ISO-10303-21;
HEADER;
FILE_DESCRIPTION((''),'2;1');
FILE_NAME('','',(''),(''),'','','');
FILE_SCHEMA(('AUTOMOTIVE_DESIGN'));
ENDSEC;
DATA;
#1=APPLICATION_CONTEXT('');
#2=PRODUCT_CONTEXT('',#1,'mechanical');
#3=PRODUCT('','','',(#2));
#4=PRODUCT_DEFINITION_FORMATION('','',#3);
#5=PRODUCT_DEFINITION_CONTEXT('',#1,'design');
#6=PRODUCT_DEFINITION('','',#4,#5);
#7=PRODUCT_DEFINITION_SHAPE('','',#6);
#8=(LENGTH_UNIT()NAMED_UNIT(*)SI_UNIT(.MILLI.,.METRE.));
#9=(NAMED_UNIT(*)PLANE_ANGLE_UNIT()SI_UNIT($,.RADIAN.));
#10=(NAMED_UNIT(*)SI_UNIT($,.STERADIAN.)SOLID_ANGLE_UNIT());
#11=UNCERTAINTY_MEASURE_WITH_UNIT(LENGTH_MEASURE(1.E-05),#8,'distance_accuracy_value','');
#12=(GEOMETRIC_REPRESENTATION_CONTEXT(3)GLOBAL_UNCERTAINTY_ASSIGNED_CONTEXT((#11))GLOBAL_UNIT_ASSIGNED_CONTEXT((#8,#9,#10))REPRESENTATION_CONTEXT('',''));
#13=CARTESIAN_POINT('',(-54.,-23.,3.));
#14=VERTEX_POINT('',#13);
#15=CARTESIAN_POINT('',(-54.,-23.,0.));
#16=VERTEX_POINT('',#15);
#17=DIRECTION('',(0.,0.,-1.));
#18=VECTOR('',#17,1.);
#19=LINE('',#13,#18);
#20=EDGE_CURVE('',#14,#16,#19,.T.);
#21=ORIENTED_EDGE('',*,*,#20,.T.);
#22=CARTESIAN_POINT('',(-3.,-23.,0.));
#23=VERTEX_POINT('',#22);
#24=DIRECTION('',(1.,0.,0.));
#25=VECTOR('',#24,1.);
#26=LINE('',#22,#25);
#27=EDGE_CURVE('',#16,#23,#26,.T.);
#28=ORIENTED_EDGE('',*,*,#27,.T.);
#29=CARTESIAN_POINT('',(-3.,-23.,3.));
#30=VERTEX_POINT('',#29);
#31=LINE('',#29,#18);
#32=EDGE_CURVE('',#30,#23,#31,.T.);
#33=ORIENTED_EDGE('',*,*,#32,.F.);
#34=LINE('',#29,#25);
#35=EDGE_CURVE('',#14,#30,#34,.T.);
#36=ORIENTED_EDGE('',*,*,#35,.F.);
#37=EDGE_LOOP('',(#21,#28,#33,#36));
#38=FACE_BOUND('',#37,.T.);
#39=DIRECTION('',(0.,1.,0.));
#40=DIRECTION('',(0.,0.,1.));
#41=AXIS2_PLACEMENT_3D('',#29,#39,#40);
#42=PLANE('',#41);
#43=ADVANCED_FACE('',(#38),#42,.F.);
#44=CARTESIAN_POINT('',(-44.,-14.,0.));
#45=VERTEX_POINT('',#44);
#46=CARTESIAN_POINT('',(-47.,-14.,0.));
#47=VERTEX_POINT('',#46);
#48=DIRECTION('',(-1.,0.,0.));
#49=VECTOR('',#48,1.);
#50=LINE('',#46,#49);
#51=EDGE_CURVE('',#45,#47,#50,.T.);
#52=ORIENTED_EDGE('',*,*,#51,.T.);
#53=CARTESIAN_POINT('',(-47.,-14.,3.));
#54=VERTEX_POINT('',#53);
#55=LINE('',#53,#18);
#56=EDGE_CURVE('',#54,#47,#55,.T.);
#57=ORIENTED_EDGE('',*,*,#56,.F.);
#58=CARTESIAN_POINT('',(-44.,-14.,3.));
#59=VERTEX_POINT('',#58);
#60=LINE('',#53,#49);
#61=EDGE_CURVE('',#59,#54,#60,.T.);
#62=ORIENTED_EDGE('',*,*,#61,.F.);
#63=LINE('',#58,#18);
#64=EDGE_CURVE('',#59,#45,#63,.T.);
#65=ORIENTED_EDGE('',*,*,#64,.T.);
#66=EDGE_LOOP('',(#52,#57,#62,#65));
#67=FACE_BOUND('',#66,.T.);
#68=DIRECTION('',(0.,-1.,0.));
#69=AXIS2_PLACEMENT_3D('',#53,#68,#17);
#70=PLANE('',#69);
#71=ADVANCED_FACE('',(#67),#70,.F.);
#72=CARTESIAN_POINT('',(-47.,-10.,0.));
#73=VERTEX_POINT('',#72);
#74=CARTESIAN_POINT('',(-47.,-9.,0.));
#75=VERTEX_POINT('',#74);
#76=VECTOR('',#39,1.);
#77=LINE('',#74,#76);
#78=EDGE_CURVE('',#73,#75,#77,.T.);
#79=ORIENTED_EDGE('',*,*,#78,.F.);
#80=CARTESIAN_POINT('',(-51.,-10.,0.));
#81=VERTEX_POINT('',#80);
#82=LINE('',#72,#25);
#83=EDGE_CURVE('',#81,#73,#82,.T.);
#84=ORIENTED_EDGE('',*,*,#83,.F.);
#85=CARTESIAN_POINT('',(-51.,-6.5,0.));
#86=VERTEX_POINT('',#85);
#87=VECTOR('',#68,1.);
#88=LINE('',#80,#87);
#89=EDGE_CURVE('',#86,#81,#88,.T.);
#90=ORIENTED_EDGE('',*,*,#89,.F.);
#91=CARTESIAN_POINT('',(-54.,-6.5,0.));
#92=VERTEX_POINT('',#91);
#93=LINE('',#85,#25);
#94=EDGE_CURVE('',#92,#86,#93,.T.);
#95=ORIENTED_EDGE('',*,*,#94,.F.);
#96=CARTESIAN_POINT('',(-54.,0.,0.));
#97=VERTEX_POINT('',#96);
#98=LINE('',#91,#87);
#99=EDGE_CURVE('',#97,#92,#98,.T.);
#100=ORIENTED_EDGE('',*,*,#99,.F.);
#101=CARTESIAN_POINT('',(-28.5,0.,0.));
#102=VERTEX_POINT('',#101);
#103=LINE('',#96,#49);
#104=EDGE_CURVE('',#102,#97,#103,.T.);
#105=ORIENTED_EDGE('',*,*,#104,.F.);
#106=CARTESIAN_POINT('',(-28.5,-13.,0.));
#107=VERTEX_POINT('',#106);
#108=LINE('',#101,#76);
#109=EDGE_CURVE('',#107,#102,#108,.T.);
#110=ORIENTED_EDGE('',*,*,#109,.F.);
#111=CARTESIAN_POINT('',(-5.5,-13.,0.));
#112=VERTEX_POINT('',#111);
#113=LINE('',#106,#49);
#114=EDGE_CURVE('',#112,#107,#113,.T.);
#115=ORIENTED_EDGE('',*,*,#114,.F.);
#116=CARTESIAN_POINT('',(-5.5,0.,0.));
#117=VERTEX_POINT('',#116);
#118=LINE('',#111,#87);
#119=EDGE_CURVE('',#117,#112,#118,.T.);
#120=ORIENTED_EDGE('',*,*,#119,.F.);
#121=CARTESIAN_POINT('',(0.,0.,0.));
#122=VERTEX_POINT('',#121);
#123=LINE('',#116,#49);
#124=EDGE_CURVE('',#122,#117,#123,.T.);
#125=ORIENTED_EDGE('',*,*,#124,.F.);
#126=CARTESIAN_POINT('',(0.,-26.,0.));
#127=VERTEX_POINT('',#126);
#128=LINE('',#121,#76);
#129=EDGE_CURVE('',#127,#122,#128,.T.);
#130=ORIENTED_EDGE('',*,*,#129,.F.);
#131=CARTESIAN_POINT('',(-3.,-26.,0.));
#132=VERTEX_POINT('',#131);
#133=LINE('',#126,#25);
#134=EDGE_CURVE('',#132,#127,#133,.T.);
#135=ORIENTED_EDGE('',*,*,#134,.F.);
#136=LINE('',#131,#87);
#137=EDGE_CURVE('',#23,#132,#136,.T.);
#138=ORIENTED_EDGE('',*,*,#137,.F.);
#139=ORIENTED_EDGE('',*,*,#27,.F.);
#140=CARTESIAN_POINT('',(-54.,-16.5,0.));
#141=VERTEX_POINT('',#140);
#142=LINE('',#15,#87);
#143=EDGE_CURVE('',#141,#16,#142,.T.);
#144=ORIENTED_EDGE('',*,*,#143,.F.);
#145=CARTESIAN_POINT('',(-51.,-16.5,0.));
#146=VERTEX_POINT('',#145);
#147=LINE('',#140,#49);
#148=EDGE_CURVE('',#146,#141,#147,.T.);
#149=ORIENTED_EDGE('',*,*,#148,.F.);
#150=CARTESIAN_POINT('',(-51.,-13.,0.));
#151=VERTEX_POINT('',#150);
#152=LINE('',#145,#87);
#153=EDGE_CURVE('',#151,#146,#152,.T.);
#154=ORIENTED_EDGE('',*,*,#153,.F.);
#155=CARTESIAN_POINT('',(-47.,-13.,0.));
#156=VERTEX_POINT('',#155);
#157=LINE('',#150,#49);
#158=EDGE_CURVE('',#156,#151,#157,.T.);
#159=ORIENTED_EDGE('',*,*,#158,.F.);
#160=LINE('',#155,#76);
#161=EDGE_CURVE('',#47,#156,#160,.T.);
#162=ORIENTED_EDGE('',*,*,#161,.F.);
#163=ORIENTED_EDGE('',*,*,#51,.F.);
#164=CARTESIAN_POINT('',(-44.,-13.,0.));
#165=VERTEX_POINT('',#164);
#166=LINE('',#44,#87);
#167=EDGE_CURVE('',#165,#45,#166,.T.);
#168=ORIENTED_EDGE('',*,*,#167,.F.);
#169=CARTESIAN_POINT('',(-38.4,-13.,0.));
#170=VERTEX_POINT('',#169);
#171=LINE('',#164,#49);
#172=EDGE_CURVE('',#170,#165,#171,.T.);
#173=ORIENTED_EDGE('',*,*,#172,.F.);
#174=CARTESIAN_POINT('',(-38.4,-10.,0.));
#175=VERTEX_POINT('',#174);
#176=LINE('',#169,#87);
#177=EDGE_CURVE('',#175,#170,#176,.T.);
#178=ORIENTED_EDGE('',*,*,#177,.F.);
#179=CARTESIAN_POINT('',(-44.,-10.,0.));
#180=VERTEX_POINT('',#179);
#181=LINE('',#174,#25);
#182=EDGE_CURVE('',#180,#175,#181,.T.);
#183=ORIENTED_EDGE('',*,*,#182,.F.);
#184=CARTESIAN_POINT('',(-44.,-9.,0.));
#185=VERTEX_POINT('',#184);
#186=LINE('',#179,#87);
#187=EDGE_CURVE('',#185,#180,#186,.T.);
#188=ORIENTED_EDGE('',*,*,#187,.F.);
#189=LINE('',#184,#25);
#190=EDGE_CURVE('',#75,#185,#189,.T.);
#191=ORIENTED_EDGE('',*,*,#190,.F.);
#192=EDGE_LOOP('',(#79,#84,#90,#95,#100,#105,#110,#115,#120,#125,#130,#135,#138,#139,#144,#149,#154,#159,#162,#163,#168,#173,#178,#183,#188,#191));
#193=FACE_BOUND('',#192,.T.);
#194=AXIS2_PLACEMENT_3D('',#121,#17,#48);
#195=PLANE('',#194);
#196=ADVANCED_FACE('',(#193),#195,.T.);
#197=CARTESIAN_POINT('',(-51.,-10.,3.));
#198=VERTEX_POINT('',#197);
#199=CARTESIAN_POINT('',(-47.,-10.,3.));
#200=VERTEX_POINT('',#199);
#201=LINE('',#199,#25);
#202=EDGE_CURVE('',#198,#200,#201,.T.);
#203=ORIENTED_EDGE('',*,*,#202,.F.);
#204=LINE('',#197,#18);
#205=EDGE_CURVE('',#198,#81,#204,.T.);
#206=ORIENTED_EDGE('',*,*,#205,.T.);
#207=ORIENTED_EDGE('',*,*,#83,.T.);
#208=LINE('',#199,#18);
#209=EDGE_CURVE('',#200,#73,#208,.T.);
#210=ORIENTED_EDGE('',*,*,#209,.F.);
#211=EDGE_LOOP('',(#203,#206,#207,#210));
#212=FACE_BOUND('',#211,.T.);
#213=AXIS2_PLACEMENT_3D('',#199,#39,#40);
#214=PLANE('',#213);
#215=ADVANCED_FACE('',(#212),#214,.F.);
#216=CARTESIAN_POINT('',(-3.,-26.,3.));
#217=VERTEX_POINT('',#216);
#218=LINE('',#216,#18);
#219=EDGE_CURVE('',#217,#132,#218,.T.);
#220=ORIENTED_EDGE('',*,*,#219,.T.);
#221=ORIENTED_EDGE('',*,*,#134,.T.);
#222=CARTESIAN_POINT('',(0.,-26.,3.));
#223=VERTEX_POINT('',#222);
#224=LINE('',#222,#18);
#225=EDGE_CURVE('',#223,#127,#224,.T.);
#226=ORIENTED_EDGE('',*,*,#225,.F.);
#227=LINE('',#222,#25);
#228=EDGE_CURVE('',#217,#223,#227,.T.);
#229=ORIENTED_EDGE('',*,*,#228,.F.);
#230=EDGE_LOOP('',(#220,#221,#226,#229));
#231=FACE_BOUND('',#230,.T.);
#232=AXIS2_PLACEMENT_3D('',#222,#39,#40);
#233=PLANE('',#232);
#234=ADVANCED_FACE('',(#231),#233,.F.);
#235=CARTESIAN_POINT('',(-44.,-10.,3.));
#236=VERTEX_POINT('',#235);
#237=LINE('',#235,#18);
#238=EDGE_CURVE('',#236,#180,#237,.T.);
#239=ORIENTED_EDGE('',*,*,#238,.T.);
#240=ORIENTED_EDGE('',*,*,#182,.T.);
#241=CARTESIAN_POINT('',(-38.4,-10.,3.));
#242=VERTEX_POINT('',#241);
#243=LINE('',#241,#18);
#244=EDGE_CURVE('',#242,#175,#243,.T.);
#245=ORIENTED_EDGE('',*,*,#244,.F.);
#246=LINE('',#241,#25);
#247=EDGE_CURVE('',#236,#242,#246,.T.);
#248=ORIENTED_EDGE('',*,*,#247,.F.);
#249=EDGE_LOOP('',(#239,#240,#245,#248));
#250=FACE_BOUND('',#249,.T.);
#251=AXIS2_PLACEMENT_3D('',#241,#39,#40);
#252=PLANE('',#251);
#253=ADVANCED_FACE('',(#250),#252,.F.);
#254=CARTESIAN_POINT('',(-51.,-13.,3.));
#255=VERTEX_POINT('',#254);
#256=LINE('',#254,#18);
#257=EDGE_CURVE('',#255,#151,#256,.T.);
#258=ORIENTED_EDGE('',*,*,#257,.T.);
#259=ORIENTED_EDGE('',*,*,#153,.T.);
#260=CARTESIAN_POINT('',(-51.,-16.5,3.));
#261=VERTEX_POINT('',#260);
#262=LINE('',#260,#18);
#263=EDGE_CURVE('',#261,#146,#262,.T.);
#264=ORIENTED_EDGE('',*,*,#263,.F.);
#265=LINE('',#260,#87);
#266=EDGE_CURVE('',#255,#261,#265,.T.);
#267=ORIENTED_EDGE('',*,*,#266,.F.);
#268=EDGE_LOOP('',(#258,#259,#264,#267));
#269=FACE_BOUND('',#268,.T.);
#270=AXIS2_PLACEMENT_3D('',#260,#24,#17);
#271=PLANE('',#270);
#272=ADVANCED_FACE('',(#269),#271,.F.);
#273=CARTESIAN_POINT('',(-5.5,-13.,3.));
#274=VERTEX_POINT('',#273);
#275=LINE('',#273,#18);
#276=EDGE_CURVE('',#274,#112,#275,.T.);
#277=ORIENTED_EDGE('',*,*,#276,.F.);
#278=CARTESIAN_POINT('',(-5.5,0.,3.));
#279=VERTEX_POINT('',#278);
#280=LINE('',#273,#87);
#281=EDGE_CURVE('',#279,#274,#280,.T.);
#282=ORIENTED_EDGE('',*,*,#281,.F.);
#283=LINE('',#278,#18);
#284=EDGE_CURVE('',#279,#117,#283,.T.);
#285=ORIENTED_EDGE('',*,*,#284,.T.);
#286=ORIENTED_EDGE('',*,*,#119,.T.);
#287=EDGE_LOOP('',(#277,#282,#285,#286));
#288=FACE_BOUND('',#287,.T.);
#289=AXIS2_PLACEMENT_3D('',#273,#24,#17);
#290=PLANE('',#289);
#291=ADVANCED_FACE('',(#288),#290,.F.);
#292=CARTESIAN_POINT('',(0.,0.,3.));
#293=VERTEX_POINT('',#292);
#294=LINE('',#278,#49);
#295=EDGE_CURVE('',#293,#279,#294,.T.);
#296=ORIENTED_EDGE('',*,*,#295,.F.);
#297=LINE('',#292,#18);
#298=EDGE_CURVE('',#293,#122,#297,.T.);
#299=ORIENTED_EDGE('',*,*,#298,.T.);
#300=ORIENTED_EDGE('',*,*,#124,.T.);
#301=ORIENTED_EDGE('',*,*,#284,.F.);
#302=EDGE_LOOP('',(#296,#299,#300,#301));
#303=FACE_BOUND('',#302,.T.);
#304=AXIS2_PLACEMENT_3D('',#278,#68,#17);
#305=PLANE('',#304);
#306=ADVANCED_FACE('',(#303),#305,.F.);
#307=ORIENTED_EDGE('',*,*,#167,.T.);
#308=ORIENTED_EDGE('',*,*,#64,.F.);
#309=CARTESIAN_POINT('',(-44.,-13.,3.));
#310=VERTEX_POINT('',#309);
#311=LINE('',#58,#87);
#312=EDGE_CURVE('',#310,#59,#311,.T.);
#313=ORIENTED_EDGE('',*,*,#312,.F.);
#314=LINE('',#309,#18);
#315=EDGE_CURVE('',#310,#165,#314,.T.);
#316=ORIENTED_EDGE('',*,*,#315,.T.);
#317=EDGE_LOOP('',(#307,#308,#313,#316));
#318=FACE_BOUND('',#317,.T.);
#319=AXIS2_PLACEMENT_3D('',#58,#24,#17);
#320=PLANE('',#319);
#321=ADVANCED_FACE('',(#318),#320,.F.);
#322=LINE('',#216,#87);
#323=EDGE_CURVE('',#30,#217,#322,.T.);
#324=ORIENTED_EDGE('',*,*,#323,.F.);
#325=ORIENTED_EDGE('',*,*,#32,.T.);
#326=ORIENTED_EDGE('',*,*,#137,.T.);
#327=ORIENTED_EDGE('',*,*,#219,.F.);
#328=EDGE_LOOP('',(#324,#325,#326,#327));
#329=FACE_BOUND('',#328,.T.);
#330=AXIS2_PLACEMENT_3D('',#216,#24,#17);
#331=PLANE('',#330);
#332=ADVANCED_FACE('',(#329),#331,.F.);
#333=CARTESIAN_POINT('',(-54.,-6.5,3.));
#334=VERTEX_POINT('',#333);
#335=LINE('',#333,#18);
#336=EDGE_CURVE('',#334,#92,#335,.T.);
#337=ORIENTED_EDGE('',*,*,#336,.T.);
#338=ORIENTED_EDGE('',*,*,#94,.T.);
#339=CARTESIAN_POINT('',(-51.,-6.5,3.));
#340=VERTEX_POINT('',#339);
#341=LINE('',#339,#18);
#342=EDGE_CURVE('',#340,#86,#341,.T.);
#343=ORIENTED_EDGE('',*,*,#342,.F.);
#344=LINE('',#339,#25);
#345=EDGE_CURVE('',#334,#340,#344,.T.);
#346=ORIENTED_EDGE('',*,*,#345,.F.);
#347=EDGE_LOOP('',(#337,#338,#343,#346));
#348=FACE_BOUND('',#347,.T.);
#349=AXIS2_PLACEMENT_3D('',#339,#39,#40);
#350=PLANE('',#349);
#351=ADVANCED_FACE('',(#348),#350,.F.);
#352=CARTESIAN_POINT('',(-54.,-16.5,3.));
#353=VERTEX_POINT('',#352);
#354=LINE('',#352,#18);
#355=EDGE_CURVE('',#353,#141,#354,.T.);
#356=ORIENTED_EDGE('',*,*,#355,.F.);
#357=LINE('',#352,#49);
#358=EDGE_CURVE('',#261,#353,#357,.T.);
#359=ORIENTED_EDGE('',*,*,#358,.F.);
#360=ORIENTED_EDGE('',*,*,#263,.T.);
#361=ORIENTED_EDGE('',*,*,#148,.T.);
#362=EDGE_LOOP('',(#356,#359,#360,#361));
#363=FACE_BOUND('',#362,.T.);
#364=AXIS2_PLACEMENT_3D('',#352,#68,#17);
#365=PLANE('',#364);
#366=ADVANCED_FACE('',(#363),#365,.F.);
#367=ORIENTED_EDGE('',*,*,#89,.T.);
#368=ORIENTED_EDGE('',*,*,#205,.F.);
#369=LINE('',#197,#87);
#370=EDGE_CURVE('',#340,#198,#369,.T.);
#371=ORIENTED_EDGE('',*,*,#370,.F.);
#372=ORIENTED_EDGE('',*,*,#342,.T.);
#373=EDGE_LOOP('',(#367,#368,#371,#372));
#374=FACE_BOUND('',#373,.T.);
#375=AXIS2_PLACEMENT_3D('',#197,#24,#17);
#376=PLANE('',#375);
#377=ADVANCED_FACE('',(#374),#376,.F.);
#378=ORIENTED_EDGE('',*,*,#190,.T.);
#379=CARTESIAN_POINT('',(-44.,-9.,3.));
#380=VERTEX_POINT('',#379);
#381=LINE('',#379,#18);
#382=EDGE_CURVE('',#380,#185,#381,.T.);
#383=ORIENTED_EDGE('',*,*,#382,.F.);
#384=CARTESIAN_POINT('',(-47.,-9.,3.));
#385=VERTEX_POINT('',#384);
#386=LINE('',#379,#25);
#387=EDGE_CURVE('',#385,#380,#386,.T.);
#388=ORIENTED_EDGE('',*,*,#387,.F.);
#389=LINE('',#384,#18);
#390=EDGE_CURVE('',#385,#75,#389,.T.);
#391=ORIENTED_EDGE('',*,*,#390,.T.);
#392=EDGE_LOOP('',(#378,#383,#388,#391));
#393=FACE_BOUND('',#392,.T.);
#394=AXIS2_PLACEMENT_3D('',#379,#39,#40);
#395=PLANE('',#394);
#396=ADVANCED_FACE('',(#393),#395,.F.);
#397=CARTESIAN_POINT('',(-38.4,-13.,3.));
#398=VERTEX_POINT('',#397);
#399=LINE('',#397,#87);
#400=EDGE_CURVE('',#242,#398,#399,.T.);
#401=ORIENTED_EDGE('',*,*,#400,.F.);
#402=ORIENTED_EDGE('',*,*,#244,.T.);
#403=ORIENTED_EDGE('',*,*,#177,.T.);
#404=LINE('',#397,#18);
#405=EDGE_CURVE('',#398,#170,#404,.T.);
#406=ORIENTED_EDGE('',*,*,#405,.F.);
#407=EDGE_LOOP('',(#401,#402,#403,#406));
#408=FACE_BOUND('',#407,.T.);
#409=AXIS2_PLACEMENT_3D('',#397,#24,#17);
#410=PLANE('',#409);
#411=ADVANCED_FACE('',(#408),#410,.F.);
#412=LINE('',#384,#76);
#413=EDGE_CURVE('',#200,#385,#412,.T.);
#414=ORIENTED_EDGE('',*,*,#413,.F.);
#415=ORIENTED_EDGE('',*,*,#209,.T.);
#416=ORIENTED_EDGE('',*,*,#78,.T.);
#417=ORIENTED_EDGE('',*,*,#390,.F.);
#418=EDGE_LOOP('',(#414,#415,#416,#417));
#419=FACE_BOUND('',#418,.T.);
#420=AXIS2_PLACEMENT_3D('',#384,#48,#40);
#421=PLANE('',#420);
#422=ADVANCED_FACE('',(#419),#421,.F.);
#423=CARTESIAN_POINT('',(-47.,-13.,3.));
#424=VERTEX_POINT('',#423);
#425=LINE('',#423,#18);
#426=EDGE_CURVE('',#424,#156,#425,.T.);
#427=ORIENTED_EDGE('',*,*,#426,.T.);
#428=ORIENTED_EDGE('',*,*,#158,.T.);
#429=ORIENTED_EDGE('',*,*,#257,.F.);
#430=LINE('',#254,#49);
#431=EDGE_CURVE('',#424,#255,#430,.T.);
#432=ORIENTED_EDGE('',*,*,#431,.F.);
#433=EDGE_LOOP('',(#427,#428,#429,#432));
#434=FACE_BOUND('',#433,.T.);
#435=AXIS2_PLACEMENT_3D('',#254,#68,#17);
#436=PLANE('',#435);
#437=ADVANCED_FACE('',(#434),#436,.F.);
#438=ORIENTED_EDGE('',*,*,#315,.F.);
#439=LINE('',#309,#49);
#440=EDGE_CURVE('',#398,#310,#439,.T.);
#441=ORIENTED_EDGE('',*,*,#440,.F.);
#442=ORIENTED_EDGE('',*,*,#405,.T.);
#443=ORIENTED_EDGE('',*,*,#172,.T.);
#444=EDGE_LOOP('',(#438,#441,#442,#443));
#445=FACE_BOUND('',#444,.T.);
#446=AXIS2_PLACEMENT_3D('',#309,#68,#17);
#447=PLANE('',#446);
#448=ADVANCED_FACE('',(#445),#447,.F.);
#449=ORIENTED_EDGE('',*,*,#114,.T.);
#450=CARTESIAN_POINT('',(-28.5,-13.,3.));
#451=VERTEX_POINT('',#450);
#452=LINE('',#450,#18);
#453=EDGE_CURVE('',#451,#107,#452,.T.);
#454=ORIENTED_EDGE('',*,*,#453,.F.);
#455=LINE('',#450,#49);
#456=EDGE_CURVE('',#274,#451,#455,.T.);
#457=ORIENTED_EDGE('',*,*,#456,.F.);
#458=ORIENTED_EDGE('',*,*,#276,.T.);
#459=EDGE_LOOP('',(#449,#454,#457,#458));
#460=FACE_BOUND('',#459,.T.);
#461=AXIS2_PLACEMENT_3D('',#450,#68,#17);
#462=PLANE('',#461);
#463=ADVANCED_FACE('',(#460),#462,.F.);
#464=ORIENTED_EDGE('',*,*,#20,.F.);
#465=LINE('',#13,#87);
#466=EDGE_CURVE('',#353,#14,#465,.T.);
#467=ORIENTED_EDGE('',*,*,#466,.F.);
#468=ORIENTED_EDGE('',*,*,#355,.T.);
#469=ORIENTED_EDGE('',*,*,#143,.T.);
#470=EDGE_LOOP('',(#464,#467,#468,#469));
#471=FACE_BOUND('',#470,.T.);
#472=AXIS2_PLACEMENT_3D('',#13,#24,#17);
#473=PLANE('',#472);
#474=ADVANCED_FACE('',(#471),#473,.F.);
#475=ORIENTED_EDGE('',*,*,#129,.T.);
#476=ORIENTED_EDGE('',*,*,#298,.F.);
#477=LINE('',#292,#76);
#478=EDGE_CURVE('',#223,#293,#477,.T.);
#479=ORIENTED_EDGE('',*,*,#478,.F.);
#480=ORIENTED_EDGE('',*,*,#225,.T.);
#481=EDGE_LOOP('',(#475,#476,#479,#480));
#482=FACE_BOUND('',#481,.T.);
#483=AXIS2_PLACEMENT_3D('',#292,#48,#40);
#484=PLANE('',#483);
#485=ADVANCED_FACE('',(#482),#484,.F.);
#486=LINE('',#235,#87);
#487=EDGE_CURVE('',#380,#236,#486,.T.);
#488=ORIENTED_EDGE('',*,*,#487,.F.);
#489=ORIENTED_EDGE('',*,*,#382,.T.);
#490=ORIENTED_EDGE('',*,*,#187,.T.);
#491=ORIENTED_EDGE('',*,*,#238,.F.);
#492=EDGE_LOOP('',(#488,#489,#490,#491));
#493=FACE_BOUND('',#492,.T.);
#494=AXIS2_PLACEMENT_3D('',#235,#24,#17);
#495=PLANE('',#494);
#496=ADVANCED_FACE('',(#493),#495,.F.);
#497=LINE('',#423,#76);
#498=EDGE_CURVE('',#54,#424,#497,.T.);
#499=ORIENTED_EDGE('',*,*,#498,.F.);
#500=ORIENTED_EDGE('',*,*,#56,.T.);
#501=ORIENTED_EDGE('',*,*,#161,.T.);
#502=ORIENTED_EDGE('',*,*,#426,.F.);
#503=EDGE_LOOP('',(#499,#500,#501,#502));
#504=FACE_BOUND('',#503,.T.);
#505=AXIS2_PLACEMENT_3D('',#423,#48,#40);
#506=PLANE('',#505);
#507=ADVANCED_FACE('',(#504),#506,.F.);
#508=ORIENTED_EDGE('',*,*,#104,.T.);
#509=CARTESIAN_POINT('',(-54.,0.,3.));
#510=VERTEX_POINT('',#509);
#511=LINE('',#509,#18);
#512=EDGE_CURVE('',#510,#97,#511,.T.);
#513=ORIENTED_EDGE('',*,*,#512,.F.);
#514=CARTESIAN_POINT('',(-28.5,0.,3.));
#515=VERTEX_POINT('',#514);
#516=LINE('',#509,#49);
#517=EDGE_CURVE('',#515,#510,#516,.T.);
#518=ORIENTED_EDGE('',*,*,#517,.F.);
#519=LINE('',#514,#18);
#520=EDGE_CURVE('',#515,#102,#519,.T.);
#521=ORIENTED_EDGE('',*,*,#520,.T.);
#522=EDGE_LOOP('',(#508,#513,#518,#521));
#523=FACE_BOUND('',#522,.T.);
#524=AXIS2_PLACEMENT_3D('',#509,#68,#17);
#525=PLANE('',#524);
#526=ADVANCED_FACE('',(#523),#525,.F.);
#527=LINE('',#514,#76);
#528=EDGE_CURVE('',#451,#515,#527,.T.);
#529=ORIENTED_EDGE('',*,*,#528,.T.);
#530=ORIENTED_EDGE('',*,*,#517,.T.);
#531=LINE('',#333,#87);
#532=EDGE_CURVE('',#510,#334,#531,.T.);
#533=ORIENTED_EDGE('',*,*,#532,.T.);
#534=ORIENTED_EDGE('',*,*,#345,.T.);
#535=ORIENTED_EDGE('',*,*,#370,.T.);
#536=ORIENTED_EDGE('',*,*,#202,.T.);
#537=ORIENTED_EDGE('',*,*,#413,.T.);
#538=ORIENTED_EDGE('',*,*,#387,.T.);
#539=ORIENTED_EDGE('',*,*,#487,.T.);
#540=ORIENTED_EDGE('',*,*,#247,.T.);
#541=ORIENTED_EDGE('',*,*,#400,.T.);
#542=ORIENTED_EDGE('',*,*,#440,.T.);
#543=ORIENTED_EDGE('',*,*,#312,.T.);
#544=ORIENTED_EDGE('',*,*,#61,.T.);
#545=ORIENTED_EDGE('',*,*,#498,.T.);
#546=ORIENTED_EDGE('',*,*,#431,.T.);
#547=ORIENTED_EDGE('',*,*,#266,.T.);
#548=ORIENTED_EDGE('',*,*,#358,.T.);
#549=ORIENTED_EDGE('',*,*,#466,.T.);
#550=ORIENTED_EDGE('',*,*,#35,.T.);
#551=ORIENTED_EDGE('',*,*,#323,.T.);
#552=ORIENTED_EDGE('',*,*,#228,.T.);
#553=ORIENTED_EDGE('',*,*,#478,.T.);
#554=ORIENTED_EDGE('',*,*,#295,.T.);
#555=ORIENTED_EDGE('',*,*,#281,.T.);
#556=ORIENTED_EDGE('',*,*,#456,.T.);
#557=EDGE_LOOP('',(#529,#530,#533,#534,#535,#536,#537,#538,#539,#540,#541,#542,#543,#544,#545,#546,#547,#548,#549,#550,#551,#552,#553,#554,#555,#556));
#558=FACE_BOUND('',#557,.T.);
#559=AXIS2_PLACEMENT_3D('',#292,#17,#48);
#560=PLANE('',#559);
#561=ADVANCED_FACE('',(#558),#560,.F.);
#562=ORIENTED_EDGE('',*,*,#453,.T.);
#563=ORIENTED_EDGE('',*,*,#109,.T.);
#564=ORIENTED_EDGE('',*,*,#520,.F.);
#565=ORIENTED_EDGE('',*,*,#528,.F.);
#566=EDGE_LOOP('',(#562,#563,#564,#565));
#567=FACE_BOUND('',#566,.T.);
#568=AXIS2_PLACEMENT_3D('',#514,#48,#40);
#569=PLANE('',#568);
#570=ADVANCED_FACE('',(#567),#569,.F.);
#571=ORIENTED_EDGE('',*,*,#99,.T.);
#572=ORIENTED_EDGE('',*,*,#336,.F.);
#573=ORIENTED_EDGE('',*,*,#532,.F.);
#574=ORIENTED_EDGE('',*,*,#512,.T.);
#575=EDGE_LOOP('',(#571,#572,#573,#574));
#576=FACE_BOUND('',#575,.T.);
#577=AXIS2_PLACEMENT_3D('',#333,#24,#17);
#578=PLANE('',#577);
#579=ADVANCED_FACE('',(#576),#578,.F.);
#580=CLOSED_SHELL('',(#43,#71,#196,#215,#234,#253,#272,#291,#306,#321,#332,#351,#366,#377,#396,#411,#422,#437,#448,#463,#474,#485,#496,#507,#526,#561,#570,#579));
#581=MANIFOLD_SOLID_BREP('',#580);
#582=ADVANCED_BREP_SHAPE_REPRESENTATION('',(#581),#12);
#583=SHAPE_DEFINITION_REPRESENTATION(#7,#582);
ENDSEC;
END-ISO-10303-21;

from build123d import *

# Parameters (mm, degrees)
EXTRUDE_1_DEPTH = 3


with BuildPart() as part:
    # 草图1 → 凸台-拉伸1 (new body)
    with BuildSketch(Plane.XY):
        Polygon((0, 0), (0, -26), (-3, -26), (-3, -23), (-54, -23), (-54, -16.5), (-51, -16.5), (-51, -13), (-47, -13), (-47, -14), (-44, -14), (-44, -13), (-38.4, -13), (-38.4, -10), (-44, -10), (-44, -9), (-47, -9), (-47, -10), (-51, -10), (-51, -6.5), (-54, -6.5), (-54, 0), (-28.5, 0), (-28.5, -13), (-5.5, -13), (-5.5, 0), align=None)
    extrude(amount=EXTRUDE_1_DEPTH)


solid = part.part
